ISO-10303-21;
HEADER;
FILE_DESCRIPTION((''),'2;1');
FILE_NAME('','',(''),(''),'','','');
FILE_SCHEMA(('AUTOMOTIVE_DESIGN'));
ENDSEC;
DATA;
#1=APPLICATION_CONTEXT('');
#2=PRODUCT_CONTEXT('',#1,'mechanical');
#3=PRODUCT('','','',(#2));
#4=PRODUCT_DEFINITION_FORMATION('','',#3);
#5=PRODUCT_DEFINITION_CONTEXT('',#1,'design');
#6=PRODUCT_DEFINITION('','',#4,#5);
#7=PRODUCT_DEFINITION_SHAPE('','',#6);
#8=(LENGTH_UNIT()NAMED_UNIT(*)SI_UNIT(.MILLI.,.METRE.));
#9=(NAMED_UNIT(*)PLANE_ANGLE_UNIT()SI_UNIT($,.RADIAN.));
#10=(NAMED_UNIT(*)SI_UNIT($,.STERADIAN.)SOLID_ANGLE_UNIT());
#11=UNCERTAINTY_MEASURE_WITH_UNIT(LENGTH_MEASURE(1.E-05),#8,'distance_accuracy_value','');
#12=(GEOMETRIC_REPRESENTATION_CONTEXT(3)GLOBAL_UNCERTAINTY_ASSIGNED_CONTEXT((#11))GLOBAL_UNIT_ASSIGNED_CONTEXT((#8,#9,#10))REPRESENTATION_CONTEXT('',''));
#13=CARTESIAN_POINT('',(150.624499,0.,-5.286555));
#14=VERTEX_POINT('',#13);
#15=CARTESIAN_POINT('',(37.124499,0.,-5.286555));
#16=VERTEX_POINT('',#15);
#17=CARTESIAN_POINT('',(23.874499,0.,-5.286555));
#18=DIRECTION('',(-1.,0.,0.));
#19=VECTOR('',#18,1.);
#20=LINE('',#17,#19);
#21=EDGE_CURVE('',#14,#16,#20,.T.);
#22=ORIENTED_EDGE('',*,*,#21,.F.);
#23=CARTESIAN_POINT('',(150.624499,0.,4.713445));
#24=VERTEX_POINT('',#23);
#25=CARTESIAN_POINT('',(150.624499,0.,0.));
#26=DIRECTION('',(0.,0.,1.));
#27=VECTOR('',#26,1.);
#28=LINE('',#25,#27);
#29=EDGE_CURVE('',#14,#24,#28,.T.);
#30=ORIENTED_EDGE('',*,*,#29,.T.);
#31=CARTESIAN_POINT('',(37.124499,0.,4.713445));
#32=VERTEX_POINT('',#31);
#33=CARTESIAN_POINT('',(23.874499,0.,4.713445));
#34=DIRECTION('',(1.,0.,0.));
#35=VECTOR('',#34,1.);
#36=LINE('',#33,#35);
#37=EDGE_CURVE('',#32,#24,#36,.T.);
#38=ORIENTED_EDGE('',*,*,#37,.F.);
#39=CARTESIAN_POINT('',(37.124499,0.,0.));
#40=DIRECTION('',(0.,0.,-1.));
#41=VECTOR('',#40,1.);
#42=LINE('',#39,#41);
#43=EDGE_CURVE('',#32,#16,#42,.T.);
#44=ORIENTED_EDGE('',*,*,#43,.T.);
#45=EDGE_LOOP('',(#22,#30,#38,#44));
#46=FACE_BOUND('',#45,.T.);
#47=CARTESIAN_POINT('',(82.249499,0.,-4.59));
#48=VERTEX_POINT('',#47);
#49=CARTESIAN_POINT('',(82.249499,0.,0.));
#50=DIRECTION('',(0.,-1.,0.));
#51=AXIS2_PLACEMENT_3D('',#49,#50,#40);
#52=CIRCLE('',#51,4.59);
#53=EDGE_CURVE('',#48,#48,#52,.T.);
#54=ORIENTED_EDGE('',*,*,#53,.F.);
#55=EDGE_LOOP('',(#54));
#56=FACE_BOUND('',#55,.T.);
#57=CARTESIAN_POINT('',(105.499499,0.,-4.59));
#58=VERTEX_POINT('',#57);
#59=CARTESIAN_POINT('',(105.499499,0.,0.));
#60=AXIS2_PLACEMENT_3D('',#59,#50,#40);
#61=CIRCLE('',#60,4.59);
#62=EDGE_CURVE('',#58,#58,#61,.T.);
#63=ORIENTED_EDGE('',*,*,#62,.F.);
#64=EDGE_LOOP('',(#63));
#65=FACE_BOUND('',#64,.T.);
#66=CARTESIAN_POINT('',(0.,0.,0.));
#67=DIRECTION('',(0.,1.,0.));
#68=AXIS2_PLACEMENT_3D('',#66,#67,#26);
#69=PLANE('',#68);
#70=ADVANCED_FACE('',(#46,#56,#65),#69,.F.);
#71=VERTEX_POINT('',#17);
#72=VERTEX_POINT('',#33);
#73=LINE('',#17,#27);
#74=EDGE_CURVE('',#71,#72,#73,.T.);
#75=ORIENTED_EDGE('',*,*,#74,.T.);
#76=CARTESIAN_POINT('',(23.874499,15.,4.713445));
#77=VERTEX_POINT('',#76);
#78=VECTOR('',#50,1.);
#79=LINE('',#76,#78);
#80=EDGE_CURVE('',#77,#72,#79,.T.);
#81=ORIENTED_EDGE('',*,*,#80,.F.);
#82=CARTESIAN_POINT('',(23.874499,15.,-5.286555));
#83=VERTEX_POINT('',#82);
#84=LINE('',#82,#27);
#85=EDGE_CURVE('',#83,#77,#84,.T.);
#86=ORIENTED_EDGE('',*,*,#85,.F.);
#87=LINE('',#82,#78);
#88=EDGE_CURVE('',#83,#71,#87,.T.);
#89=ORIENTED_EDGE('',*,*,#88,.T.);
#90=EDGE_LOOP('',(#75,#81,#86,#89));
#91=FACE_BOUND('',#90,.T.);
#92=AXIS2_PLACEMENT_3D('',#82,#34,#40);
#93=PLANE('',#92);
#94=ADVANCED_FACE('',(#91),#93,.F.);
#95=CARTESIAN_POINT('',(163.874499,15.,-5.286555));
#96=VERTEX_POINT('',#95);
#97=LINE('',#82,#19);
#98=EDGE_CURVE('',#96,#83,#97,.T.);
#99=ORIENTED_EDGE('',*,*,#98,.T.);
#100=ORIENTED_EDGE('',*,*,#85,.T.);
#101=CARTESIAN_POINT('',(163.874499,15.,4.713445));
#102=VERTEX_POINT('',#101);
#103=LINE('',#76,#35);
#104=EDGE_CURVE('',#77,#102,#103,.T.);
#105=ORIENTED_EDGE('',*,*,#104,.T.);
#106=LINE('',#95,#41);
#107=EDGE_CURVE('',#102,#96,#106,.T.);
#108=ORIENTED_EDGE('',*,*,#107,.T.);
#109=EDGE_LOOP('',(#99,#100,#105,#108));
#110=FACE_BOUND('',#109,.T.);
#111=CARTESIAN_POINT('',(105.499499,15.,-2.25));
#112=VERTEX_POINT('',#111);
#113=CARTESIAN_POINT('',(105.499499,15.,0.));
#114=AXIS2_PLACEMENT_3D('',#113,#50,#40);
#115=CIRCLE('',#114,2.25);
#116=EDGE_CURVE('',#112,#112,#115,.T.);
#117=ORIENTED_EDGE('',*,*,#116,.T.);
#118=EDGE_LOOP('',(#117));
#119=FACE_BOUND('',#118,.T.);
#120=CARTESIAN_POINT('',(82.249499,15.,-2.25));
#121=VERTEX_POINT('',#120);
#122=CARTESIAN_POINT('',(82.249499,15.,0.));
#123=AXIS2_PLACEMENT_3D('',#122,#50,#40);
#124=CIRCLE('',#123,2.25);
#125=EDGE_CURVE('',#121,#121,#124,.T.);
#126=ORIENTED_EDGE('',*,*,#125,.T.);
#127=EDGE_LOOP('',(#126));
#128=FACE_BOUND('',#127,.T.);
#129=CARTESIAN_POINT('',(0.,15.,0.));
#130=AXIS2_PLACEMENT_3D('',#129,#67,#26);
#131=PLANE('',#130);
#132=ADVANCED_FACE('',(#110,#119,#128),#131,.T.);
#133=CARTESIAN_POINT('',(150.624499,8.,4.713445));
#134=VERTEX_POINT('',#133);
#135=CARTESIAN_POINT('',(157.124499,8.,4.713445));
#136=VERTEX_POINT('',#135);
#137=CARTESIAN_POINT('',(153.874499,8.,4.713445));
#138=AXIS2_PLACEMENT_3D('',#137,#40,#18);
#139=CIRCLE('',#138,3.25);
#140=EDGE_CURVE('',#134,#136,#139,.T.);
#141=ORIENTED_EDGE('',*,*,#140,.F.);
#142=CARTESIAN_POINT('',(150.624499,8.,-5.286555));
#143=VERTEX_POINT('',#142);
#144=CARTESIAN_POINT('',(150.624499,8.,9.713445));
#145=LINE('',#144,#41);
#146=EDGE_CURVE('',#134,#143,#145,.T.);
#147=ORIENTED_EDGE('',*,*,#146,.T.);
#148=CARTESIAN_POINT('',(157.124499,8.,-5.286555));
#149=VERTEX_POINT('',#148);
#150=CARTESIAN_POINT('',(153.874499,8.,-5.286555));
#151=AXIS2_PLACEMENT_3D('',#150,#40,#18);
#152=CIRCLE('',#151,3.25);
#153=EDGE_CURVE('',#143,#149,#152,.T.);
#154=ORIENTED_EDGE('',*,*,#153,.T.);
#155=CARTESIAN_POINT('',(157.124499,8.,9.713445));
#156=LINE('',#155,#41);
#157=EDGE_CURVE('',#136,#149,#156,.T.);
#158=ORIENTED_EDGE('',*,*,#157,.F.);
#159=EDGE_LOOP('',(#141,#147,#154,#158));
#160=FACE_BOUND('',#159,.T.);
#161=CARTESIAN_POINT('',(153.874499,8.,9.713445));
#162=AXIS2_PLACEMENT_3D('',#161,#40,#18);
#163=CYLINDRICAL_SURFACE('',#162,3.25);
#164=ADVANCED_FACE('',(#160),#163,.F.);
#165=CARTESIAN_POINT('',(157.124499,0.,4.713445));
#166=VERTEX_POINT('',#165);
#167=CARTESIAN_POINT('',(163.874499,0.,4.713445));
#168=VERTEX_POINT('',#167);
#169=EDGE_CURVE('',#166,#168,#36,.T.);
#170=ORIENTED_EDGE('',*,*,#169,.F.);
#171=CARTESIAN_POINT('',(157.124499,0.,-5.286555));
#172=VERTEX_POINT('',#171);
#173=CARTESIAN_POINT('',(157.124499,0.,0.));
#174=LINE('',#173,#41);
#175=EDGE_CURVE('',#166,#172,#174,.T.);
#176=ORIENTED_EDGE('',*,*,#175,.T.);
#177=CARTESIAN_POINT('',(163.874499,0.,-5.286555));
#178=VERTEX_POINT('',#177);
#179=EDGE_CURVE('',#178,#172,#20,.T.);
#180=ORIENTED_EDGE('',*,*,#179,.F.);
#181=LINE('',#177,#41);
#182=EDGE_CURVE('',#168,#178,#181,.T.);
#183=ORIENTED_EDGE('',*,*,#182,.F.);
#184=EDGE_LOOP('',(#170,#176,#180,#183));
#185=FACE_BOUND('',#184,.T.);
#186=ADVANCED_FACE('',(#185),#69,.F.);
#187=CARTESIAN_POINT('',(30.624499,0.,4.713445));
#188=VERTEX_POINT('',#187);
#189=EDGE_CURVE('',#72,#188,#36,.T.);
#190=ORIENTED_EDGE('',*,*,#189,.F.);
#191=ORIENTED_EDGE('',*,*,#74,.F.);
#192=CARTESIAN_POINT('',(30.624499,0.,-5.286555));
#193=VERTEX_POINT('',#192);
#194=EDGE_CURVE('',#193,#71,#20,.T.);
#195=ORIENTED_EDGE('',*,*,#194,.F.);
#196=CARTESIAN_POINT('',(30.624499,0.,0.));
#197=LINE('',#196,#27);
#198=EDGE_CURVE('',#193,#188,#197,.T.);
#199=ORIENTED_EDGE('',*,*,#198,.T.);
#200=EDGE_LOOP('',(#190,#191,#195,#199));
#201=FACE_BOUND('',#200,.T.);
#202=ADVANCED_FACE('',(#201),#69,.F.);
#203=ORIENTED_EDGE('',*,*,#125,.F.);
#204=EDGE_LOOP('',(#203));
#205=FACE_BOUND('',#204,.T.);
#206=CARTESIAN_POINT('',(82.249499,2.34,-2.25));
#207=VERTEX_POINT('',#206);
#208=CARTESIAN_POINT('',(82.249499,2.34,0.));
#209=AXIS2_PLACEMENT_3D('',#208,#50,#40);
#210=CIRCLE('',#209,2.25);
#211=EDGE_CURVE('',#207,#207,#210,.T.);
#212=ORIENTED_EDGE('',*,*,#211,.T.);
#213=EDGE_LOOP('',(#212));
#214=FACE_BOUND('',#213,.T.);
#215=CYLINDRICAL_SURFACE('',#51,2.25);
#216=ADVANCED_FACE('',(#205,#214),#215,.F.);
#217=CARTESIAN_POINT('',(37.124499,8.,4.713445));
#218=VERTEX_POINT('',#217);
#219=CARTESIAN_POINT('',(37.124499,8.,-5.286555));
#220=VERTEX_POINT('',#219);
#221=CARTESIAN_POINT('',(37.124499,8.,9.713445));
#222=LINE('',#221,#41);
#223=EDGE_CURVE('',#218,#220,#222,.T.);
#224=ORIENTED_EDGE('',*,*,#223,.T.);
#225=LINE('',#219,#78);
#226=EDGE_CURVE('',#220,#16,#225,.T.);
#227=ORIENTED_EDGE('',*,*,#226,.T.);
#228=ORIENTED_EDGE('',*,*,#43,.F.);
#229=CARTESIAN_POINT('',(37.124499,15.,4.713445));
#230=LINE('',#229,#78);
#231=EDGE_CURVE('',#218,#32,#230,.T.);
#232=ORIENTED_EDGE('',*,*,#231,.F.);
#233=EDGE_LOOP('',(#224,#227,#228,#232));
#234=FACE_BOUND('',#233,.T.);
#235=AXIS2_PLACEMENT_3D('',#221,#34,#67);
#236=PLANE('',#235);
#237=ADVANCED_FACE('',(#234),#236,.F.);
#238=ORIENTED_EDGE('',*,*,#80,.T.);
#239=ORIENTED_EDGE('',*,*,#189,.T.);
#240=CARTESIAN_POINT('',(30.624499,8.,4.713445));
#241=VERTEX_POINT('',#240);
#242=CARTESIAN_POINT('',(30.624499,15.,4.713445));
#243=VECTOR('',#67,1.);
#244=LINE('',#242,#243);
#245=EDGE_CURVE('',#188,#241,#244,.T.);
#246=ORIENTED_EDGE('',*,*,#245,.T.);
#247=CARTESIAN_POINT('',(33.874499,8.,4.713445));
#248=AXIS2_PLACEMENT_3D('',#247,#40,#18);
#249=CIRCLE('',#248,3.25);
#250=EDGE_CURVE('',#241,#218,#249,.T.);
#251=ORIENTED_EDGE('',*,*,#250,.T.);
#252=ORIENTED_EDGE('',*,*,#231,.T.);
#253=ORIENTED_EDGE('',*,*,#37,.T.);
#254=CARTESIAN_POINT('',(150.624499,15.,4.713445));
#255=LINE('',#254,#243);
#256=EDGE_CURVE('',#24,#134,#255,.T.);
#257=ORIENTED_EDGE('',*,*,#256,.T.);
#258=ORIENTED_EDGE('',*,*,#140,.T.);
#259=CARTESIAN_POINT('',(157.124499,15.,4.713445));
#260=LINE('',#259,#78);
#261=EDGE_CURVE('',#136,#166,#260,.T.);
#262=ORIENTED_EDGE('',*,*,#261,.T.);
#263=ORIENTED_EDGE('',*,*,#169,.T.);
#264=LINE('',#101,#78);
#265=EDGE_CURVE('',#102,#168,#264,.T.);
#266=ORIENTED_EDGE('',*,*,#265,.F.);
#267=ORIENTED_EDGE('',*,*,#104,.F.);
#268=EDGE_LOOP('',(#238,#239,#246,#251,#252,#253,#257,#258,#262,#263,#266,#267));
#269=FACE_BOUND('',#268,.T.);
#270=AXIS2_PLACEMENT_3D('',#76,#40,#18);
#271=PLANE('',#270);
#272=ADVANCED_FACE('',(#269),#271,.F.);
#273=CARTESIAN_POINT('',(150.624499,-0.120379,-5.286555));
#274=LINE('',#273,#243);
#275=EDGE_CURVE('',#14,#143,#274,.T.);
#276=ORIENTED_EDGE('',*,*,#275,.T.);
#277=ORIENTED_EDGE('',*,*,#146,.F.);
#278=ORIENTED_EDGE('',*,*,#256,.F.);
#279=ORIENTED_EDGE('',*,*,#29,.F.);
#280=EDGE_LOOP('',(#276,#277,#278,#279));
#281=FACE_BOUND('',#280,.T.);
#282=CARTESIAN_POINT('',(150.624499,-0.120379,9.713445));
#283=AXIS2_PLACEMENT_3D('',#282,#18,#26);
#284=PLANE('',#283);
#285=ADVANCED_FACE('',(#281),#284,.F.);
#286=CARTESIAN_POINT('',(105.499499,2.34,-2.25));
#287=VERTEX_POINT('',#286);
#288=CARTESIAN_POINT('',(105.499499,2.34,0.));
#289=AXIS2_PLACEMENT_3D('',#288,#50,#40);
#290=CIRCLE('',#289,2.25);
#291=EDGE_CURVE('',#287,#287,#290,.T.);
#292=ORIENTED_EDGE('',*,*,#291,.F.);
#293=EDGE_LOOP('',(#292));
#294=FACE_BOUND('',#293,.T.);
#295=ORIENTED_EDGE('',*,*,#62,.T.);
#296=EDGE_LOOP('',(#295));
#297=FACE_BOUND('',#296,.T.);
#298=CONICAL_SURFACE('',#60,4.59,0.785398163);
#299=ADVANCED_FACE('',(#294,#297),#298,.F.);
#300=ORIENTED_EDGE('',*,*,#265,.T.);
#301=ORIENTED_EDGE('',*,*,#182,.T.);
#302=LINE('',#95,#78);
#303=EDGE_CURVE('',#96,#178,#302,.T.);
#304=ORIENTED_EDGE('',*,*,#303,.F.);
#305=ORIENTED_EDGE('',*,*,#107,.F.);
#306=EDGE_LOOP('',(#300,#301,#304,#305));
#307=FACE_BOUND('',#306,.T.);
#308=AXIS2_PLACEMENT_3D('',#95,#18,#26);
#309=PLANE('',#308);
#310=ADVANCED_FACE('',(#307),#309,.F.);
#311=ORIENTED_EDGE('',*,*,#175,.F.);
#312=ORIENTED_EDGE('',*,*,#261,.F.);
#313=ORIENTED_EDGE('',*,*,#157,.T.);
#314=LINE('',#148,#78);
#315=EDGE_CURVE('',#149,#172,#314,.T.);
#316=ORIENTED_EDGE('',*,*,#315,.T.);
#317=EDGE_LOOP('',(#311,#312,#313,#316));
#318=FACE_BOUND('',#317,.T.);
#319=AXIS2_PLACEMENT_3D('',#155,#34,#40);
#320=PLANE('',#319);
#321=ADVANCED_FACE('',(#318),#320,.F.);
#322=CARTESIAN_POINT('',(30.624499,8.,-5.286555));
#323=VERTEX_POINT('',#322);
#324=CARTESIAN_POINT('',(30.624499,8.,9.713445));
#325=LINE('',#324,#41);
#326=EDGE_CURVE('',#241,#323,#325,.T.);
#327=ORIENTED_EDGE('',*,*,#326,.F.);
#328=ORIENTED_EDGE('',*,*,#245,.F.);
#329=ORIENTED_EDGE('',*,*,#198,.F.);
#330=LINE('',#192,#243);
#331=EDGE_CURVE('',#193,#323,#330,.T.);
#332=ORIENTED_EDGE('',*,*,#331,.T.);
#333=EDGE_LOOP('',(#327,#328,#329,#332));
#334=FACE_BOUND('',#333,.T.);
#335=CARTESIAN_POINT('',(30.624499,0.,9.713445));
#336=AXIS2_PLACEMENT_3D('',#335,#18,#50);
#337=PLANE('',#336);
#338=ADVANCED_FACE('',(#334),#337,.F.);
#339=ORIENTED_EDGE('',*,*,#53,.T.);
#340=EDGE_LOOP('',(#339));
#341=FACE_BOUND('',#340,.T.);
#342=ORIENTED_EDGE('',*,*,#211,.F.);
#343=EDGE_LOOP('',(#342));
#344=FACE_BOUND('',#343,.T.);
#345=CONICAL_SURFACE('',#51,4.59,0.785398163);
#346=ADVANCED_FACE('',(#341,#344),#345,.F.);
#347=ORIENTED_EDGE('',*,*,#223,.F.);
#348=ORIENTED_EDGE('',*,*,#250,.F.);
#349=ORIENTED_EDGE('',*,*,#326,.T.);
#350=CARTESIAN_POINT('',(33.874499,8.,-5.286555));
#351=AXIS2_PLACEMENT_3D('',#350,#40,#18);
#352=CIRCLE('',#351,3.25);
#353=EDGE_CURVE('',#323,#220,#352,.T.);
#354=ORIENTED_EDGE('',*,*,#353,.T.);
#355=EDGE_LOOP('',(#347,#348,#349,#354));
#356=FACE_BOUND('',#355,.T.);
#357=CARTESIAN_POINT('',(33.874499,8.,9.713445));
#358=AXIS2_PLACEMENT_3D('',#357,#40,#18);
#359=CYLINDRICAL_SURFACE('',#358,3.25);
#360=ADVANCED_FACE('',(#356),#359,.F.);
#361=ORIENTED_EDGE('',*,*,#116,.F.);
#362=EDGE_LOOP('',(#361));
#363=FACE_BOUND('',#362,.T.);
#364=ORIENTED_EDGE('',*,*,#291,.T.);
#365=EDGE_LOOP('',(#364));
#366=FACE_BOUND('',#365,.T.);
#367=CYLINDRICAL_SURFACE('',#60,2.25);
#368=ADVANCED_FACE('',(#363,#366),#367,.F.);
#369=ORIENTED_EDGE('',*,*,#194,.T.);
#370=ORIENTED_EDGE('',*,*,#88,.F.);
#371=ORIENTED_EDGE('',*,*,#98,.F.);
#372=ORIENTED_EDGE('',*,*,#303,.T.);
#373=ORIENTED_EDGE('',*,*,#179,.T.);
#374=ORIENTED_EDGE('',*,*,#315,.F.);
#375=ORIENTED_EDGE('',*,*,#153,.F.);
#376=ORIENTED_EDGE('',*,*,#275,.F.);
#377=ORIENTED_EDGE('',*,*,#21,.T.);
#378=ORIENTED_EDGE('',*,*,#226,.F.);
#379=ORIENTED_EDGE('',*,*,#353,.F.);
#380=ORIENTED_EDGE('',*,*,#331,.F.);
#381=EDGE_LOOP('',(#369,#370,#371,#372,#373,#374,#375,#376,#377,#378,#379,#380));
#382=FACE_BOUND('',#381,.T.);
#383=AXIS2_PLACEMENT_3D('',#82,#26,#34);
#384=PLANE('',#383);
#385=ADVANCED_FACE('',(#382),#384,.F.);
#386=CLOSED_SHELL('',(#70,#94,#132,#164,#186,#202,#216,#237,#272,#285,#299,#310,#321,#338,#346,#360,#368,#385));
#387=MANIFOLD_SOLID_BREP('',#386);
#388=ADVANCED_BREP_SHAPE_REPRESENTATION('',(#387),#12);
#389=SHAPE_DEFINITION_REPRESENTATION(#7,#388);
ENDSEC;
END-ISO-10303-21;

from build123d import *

# Parameters (mm, degrees)
SKIZZE1_W                                            = 140
SKIZZE1_H                                            = 10
AUFSATZ_LINEAR_AUSTRAGEN1_DEPTH                      = 15
SCHNITT_LINEAR_AUSTRAGEN1_DEPTH                      = 15
FORMSENKUNG_F_R_M4_SENKSCHRAUBE_MIT_INNE_D           = 4.5
FORMSENKUNG_F_R_M4_SENKSCHRAUBE_MIT_INNE_CSINK_D     = 9.18
FORMSENKUNG_F_R_M4_SENKSCHRAUBE_MIT_INNE_CSINK_ANGLE = 90


with BuildPart() as part:
    # Skizze1 → Aufsatz-Linear austragen1 (new body)
    with BuildSketch(Plane(origin=(0, 0, 0), x_dir=(1, 0, 0), z_dir=(0, 1, 0))):
        with Locations((93.874498843, 0.286555153)):
            Rectangle(SKIZZE1_W, SKIZZE1_H)
    extrude(amount=AUFSATZ_LINEAR_AUSTRAGEN1_DEPTH)

    # Skizze2 → Schnitt-Linear austragen1 (cut)
    with BuildSketch(Plane(origin=(0, 0, -5.286555153), x_dir=(-1, 0, 0), z_dir=(0, 0, -1))):
        with BuildLine():
            Line((-37.124498843, 8), (-37.124498843, 0))
            Line((-37.124498843, 0), (-30.624498843, 0))
            Line((-30.624498843, 0), (-30.624498843, 8))
            ThreePointArc((-30.624498843, 8), (-33.874498843, 11.25), (-37.124498843, 8))
        make_face()
        with BuildLine():
            Line((-157.124498843, 8), (-157.124498843, -0.120378635))
            Line((-157.124498843, -0.120378635), (-150.624498843, -0.120378635))
            Line((-150.624498843, -0.120378635), (-150.624498843, 8))
            ThreePointArc((-150.624498843, 8), (-153.874498843, 11.25), (-157.124498843, 8))
        make_face()
    extrude(amount=-SCHNITT_LINEAR_AUSTRAGEN1_DEPTH, mode=Mode.SUBTRACT)

    # Formsenkung für M4 Senkschraube mit Innensechskant1 (through all)
    with Locations(Plane(origin=(82.249498843, 0, 0), x_dir=(0, 0, -1), z_dir=(0, -1, 0))):
        with Locations((0, 0), (0, 23.25)):
            CounterSinkHole(FORMSENKUNG_F_R_M4_SENKSCHRAUBE_MIT_INNE_D / 2, FORMSENKUNG_F_R_M4_SENKSCHRAUBE_MIT_INNE_CSINK_D / 2, counter_sink_angle=FORMSENKUNG_F_R_M4_SENKSCHRAUBE_MIT_INNE_CSINK_ANGLE)


solid = part.part
